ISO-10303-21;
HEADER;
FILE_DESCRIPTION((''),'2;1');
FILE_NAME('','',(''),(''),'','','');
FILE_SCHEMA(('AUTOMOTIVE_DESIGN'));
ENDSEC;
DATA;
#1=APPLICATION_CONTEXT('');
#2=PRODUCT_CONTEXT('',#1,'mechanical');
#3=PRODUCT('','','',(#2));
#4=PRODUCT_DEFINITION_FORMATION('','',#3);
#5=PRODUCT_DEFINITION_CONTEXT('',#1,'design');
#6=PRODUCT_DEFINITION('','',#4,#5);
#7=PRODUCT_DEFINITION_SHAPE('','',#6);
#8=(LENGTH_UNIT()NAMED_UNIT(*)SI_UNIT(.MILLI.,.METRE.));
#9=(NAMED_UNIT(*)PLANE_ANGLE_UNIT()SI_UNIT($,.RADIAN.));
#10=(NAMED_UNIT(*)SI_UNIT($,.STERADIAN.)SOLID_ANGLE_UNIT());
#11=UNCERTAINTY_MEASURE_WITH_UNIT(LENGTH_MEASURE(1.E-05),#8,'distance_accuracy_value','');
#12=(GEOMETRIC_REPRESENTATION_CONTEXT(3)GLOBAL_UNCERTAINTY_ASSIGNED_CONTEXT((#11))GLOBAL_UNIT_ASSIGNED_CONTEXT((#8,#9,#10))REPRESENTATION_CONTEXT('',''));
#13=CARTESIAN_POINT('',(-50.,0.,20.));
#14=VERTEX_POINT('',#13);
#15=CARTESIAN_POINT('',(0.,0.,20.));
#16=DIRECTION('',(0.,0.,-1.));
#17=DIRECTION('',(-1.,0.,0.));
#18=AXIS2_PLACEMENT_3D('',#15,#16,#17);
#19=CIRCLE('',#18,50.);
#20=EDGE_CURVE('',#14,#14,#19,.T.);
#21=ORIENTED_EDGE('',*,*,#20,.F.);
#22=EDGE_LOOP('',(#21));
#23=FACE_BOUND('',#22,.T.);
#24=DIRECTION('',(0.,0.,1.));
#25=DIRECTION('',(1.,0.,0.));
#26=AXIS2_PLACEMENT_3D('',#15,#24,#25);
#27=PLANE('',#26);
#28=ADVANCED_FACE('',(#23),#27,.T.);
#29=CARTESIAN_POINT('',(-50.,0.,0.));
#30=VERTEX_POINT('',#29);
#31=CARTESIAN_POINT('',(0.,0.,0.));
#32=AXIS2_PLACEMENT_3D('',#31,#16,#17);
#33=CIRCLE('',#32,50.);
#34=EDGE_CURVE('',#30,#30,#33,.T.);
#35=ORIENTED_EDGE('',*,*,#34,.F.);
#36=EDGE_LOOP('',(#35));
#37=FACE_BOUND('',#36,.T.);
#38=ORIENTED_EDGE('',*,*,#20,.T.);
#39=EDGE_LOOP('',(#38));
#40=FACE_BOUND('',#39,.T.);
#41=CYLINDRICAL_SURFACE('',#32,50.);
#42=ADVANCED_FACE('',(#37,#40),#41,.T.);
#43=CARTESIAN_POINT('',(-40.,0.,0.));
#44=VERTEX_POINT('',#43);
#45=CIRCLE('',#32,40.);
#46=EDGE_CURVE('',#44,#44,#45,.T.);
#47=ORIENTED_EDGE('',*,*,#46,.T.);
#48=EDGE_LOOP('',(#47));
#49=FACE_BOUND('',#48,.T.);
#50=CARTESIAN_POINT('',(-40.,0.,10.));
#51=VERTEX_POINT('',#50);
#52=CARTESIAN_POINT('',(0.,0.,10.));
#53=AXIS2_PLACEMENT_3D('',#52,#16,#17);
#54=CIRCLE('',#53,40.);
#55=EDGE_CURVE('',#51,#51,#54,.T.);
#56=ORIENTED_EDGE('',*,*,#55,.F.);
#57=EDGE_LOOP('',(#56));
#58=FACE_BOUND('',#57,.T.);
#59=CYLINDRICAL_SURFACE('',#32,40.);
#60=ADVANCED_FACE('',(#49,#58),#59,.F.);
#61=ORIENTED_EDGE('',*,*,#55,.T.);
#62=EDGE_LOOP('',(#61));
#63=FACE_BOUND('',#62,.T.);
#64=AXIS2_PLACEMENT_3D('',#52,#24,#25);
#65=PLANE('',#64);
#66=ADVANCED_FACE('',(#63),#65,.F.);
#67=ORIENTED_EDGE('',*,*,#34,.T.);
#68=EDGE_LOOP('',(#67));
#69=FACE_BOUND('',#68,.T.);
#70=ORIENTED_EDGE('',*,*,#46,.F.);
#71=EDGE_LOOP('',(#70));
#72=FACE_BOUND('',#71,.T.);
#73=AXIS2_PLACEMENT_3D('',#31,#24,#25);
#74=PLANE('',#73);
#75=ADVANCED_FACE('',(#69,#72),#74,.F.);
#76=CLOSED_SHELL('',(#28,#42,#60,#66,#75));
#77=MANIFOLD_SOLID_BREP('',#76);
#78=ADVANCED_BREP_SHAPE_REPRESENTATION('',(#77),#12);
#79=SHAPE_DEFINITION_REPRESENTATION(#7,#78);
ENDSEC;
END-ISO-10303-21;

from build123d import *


with BuildPart() as part:
    # Sketch1 → Revolve1 (revolve)
    with BuildSketch(Plane(origin=(0, 0, 0), x_dir=(1, 0, 0), z_dir=(0, 1, 0))):
        Polygon((-50, -20), (0, -20), (0, -10), (-40, -10), (-40, 0), (-50, 0), align=None)
    revolve(axis=Axis((0, 0, 0), (0, 0, 1)))


solid = part.part
